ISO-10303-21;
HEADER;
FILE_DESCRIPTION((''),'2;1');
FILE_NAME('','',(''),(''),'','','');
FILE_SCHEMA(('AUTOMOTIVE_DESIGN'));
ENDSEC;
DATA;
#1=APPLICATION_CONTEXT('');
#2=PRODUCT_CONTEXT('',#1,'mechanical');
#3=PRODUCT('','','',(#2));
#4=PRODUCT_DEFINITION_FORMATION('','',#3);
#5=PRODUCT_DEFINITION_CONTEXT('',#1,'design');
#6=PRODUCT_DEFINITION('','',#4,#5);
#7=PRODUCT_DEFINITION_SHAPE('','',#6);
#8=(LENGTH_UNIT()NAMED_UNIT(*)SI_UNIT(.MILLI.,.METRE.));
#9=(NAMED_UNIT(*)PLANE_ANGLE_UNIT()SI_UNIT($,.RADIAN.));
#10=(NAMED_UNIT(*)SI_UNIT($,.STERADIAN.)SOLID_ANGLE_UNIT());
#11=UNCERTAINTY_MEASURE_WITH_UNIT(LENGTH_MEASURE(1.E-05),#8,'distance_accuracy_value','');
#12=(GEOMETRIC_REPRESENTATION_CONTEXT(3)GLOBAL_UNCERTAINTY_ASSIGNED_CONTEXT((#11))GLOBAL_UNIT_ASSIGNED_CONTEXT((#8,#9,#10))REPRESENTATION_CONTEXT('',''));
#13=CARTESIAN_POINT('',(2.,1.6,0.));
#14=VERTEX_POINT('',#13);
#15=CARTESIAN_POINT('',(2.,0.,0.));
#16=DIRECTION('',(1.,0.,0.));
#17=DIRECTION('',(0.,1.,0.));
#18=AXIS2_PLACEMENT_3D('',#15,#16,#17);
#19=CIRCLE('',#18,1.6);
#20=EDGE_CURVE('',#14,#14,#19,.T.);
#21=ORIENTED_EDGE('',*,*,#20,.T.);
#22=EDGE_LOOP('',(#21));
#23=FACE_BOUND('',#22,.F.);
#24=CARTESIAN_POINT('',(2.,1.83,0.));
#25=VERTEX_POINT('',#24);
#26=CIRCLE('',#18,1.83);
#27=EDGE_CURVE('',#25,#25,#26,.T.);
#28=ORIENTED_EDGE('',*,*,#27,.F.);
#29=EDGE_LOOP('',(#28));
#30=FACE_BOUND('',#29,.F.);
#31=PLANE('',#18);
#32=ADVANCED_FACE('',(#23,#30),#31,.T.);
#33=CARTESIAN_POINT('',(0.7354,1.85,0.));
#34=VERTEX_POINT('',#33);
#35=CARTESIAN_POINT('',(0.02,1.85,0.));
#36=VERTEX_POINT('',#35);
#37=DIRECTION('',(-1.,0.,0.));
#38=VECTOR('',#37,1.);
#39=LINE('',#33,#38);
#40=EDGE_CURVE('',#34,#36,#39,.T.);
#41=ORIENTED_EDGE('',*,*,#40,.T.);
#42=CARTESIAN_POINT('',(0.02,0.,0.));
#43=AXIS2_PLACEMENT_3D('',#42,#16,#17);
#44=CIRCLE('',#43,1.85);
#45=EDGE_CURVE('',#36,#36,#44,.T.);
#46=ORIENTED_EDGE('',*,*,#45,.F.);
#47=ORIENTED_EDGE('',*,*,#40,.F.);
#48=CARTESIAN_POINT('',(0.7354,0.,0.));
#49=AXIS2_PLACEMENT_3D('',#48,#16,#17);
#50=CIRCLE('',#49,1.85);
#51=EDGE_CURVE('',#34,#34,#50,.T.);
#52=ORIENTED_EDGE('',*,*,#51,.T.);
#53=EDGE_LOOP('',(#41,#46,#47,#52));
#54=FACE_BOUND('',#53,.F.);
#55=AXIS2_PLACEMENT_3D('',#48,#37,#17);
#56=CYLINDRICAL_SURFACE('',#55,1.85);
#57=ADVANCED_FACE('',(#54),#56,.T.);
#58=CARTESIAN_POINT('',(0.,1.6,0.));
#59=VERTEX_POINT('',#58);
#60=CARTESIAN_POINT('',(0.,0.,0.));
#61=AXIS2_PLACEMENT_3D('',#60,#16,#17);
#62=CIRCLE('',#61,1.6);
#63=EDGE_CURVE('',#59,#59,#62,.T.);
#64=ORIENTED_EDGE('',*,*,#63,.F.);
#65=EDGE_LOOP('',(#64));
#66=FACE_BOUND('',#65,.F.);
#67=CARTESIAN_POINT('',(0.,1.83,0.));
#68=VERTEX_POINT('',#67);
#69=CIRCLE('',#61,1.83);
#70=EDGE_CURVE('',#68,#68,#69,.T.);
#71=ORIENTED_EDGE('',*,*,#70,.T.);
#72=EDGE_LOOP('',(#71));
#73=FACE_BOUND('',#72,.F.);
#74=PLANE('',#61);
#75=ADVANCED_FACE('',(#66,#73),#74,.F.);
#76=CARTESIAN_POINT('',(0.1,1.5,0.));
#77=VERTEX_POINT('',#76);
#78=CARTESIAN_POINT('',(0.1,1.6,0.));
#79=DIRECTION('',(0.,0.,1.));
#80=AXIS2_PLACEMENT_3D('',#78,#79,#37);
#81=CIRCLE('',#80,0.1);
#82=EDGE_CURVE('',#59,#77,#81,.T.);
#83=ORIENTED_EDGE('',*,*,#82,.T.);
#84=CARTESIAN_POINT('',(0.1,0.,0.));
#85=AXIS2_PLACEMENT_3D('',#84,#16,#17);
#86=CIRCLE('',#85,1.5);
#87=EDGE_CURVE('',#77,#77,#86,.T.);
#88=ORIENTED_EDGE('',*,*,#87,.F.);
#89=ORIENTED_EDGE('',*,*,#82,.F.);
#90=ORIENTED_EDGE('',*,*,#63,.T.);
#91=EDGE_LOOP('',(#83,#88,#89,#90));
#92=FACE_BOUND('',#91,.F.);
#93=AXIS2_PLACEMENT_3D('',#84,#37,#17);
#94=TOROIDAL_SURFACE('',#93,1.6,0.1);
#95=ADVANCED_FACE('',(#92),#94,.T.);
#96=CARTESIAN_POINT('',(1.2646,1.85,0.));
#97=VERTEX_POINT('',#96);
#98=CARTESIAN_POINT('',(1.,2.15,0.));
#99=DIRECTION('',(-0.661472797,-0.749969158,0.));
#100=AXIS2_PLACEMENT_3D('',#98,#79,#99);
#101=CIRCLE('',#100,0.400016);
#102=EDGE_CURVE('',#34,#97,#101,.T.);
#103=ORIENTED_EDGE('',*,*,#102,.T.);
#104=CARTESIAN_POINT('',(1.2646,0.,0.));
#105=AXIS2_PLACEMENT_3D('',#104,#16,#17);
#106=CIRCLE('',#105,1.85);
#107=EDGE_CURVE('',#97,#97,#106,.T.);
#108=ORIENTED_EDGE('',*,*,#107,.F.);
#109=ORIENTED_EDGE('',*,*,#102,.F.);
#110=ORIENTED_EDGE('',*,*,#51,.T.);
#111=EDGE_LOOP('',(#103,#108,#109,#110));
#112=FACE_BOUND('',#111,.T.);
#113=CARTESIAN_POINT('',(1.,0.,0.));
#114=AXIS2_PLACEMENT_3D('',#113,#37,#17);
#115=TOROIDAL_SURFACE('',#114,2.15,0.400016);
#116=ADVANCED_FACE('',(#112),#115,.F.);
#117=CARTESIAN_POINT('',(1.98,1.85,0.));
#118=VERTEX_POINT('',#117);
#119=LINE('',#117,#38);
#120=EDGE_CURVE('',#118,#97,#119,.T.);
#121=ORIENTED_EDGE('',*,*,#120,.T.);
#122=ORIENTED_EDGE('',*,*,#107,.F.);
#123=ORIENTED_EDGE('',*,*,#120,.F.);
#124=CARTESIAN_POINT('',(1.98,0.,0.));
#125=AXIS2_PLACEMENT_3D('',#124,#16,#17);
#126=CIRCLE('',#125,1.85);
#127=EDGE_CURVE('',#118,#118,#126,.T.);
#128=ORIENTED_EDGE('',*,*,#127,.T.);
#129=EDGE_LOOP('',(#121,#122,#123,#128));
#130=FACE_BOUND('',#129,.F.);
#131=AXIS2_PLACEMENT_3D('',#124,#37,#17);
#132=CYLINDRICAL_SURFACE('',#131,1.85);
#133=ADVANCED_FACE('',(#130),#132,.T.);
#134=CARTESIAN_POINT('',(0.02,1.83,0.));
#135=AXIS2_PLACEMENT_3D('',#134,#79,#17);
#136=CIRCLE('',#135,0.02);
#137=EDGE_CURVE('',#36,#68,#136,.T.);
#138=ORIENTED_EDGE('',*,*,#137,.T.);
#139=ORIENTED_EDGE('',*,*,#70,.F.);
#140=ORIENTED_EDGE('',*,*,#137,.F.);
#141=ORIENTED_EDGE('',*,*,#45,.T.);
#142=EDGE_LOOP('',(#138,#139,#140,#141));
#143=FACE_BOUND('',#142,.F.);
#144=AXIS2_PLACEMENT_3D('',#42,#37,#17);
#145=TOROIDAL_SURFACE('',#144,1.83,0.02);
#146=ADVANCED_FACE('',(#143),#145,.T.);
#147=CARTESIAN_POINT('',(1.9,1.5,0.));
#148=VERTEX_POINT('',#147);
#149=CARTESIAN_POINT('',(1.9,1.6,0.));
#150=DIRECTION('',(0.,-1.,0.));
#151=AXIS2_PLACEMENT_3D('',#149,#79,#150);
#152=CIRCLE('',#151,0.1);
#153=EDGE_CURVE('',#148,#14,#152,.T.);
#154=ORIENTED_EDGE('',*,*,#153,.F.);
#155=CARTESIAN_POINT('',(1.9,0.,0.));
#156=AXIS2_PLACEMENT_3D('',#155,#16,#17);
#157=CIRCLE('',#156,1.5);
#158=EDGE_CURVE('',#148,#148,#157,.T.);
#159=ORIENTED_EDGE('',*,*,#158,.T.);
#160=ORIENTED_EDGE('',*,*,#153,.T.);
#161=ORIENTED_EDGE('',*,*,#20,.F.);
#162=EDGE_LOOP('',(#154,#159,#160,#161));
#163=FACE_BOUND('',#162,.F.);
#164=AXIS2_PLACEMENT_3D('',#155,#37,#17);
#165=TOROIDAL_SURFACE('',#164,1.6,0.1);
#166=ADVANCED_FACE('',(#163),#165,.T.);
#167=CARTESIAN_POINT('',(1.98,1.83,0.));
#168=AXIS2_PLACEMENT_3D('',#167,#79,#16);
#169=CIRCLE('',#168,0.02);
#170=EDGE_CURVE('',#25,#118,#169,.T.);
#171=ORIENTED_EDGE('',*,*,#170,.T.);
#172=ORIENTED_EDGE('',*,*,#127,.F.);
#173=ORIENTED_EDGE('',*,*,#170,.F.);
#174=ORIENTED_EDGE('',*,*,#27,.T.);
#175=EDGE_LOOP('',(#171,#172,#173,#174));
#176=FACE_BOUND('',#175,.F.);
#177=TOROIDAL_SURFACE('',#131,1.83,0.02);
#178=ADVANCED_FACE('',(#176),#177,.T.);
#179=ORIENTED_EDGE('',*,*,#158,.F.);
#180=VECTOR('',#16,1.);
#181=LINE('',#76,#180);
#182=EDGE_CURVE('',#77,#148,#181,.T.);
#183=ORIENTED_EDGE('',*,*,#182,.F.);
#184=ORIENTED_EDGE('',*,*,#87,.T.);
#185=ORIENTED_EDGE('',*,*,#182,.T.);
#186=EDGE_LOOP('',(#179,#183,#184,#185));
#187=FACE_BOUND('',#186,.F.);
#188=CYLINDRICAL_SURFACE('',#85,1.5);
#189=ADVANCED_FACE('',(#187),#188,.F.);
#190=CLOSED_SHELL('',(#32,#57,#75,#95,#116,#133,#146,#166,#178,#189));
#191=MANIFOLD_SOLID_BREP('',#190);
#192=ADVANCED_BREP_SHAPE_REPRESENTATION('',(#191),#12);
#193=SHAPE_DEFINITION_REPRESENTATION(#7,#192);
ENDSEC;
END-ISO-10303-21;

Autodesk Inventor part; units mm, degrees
ref_plane "YZ Plane" through (0, 0, 0) normal (1, 0, 0) x (0, 1, 0)
ref_plane "XZ Plane" through (0, 0, 0) normal (0, 1, 0) x (-1, 0, 0)
ref_plane "XY Plane" through (0, 0, 0) normal (0, 0, 1) x (1, 0, 0)
sketch "Sketch_10" plane through (0, 0, 0) normal (0, 0, 1) x (1, 0, 0)
  line L0 (50, 0) -> (-50, 0)
  line L1 (0, 1.83) -> (0, 1.6)
  arc A0 (0, 1.6) -> (0.1, 1.5) centre (0.1, 1.6) ccw
  line L2 (0.1, 1.5) -> (1.9, 1.5)
  arc A1 (1.9, 1.5) -> (2, 1.6) centre (1.9, 1.6) ccw
  line L3 (2, 1.6) -> (2, 1.83)
  arc A2 (2, 1.83) -> (1.98, 1.85) centre (1.98, 1.83) ccw
  line L4 (1.98, 1.85) -> (1.2646, 1.85)
  arc A3 (0.7354, 1.85) -> (1.2646, 1.85) centre (1, 2.15) ccw
  line L5 (0.7354, 1.85) -> (0.02, 1.85)
  arc A4 (0.02, 1.85) -> (0, 1.83) centre (0.02, 1.83) ccw
revolve "Revolution1" add sketch "Sketch_10" angle 360 about axis through (50, 0, 0) along (1, 0, 0)
properties part number "SKF_W 617/3_PART1"
